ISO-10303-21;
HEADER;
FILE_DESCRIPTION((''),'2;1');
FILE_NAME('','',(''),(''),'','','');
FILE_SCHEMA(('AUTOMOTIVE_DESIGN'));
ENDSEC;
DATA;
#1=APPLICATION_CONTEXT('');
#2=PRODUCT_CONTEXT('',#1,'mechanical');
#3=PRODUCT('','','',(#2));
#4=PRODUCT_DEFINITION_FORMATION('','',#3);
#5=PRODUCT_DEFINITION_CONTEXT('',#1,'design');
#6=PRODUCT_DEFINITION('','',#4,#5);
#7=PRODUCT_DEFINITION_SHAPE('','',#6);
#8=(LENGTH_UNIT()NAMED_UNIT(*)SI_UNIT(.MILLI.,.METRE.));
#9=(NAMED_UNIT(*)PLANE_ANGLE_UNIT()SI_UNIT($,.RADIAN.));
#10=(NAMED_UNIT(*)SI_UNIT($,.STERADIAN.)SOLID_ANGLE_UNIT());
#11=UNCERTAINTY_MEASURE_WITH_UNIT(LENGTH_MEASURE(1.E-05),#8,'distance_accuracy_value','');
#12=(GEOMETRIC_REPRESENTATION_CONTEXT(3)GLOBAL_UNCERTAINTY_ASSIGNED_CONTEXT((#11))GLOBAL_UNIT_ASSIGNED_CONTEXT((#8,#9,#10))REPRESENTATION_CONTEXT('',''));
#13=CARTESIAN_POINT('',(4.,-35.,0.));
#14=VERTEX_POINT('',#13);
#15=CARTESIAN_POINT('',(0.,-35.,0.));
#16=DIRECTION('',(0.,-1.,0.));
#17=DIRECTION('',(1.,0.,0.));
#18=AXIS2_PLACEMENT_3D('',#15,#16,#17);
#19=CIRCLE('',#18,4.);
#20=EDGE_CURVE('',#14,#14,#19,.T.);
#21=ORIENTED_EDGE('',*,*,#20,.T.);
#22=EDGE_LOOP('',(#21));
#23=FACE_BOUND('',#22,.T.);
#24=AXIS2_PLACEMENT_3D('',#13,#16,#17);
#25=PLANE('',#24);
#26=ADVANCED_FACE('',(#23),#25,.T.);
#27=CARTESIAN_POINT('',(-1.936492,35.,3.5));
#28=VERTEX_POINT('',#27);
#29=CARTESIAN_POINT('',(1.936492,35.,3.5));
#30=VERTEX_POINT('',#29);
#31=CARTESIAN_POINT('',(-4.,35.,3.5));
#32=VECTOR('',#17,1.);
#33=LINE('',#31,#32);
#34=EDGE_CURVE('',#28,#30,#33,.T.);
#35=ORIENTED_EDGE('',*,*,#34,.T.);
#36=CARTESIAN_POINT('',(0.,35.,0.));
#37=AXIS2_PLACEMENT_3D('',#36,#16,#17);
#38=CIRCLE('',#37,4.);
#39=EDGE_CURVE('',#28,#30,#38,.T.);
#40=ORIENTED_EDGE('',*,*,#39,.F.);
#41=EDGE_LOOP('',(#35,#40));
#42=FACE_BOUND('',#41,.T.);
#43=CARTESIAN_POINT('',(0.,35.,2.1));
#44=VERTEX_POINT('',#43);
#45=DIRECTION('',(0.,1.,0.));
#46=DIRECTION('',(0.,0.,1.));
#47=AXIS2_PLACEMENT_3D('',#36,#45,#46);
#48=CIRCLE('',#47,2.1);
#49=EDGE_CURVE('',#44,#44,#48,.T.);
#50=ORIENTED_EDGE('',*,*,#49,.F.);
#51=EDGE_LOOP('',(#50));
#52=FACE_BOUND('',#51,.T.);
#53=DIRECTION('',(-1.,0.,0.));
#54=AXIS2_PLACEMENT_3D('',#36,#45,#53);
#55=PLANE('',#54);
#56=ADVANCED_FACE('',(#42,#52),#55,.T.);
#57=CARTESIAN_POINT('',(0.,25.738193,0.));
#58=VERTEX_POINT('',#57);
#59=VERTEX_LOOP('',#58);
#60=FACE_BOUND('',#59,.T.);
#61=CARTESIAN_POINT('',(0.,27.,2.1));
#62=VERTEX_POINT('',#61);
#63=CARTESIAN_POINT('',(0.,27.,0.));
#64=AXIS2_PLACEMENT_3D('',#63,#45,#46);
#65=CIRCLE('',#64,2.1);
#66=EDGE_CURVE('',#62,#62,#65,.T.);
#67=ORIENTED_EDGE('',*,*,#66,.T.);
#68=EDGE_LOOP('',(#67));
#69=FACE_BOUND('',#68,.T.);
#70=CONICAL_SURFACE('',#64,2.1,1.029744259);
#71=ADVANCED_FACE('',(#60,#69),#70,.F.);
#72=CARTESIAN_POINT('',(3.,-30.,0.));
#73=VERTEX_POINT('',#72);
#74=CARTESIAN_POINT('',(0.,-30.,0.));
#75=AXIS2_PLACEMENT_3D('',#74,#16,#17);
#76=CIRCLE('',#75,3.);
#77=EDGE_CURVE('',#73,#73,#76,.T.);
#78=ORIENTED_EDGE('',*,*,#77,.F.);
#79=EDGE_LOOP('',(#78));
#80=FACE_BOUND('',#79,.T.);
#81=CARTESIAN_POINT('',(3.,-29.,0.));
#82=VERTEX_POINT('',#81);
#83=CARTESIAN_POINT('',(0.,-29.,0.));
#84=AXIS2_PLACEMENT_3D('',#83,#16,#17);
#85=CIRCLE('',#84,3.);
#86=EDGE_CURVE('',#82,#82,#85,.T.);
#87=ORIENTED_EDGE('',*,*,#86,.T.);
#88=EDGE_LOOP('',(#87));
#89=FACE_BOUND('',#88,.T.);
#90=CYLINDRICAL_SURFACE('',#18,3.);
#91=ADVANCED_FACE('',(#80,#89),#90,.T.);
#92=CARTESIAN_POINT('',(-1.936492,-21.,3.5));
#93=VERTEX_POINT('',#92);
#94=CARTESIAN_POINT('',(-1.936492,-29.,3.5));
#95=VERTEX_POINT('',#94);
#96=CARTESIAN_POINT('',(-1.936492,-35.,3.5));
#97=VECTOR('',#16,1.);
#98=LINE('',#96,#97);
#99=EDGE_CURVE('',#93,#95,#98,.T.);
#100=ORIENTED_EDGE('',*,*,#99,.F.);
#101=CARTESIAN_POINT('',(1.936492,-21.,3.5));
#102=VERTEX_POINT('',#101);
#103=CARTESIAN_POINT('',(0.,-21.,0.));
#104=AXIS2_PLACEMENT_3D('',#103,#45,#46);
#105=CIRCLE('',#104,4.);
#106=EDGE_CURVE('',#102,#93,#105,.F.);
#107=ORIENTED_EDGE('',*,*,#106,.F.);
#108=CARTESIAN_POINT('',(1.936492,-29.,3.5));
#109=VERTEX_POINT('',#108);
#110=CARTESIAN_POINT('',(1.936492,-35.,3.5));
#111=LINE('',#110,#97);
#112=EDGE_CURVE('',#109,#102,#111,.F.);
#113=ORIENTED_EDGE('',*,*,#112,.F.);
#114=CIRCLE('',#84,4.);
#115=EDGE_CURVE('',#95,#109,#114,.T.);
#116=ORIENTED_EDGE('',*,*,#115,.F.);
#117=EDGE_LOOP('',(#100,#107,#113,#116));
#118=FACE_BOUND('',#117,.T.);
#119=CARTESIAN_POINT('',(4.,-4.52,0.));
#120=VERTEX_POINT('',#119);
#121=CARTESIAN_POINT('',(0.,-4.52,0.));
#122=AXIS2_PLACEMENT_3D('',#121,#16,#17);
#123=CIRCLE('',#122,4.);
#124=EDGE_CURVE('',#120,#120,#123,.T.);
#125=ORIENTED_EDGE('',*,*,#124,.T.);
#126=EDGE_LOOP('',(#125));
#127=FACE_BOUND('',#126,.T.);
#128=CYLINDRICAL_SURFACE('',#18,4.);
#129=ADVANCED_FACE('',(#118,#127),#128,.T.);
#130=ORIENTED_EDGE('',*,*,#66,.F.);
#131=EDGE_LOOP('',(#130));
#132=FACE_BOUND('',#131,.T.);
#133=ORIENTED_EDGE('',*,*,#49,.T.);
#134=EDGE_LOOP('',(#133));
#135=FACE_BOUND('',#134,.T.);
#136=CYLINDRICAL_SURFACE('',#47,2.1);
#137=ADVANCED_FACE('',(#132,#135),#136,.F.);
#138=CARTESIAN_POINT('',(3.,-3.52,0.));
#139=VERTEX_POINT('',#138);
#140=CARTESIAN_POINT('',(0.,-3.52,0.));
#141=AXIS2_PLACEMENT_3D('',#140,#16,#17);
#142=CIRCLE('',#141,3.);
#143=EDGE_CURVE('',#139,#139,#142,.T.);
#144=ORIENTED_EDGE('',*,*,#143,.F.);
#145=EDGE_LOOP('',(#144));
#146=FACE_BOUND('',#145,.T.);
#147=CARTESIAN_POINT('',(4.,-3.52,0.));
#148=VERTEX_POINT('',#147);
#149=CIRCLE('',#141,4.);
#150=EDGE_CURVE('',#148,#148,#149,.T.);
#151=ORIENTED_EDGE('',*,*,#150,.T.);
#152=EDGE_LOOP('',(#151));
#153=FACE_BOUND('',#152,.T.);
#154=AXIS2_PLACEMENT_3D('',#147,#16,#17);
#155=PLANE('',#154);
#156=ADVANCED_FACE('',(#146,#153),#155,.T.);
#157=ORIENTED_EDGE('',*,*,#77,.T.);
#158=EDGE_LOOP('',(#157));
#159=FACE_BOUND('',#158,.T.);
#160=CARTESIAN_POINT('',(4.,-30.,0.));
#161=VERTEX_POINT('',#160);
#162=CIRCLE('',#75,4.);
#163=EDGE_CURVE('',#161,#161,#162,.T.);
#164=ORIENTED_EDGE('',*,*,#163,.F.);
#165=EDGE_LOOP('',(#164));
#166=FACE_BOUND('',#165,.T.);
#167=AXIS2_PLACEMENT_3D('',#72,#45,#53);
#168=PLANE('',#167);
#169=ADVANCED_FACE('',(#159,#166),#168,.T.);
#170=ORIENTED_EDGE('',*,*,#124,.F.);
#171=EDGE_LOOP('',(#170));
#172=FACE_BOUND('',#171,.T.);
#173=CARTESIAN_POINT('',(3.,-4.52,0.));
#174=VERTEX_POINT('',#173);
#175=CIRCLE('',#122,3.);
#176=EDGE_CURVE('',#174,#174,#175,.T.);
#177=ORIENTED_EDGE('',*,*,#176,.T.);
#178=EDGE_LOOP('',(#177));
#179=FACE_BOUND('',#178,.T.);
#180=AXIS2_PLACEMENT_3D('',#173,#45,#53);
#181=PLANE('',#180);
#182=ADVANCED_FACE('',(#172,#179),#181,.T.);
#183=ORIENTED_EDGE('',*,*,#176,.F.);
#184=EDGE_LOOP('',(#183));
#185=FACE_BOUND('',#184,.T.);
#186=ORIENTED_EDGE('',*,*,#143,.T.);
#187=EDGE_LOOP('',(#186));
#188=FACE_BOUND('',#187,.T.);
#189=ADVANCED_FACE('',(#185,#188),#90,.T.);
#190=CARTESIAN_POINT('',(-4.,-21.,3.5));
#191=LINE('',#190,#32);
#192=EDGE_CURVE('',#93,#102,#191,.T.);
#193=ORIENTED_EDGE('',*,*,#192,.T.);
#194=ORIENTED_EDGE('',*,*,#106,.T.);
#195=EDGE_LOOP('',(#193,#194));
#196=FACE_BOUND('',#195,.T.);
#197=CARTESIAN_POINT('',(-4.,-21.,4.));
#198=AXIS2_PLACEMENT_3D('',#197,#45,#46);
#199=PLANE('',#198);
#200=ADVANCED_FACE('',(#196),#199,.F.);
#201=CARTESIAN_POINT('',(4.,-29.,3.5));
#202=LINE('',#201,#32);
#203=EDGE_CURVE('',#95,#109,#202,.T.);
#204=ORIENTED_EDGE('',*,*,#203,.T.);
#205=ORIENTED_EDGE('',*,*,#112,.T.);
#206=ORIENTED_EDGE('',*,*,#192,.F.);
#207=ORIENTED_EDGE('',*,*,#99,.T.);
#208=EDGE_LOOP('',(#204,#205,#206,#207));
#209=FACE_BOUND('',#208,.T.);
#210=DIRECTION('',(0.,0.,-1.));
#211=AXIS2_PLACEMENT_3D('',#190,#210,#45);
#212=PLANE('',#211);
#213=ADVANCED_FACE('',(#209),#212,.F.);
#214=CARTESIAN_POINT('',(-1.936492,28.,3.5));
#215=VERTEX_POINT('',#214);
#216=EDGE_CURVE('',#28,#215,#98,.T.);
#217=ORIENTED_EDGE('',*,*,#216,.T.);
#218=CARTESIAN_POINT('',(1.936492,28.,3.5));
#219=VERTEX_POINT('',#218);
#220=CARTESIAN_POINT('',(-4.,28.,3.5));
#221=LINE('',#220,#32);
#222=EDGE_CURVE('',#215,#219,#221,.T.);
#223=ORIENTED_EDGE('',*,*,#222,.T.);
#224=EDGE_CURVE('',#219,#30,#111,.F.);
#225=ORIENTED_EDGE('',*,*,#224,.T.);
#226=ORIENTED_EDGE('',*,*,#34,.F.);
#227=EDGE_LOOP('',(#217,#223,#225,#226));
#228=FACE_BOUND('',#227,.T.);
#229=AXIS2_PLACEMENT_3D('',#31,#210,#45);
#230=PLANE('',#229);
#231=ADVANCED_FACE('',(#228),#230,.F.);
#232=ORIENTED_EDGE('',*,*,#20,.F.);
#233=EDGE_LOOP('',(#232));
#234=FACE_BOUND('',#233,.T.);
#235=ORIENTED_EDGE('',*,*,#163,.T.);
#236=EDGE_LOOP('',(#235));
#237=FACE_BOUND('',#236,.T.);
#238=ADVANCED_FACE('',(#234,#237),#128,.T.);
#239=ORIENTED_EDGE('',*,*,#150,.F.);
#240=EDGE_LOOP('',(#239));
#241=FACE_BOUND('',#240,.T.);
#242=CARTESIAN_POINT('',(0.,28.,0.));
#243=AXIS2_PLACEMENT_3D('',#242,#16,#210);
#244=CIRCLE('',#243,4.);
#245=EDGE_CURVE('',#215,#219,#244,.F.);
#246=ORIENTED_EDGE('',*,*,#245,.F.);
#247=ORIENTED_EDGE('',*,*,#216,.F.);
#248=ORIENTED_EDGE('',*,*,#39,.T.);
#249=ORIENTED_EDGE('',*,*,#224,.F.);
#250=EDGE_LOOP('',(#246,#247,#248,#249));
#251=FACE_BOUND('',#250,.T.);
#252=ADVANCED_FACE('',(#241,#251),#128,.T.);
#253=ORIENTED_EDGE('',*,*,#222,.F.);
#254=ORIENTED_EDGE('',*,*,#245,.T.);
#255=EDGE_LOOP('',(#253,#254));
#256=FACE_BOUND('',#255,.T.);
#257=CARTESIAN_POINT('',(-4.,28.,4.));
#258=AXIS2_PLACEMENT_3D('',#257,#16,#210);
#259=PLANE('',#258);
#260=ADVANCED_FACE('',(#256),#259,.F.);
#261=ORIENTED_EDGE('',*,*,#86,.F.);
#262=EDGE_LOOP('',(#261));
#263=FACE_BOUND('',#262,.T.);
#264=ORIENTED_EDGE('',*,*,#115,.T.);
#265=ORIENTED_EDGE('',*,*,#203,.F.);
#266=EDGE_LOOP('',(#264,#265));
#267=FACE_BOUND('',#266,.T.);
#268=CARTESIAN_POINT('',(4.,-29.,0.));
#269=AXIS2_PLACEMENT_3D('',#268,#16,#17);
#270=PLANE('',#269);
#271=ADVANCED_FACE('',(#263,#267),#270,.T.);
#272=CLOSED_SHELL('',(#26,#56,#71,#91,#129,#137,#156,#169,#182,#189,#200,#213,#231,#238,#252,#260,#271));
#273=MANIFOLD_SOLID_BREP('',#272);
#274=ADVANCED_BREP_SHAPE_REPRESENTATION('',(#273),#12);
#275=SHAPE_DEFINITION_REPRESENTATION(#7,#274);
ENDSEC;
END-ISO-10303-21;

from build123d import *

# Parameters (mm, degrees)
CORTAR_EXTRUIR1_DEPTH         = 36.454195802
CORTAR_EXTRUIR1_DEPTH_BACK    = 36.454195802
CROQUIS2_W                    = 0.5
CROQUIS2_H                    = 8
CROQUIS2_H_2                  = 7
TALADRO_ROSCADO_M5X0_81_D     = 4.2
TALADRO_ROSCADO_M5X0_81_DEPTH = 8
TALADRO_ROSCADO_M5X0_81_TIP   = 1.2618073


with BuildPart() as part:
    # Croquis1 → Revolución1 (revolve)
    with BuildSketch(Plane.XY):
        Polygon((0, 35), (4, 35), (4, -3.52), (3, -3.52), (3, -4.52), (4, -4.52), (4, -29), (3, -29), (3, -30), (4, -30), (4, -35), (0, -35), align=None)
    revolve(axis=Axis((0, -35, 0), (0, 1, 0)))

    # Croquis2 → Cortar-Extruir1 (cut, two sides: drawn at the far end of the back side and taken through both)
    with BuildSketch(Plane(origin=(0, 0, 0), x_dir=(0, 0, -1), z_dir=(1, 0, 0)).offset(-CORTAR_EXTRUIR1_DEPTH_BACK)):
        with Locations((-3.75, -25)):
            Rectangle(CROQUIS2_W, CROQUIS2_H)
        with Locations((-3.75, 31.5)):
            Rectangle(CROQUIS2_W, CROQUIS2_H_2)
    extrude(amount=CORTAR_EXTRUIR1_DEPTH + CORTAR_EXTRUIR1_DEPTH_BACK, mode=Mode.SUBTRACT)

    # Taladro roscado M5x0.81
    with Locations(Plane(origin=(0, 35, 0), x_dir=(1, 0, 0), z_dir=(0, 1, 0))):
        with Locations((0, 0)):
            Hole(TALADRO_ROSCADO_M5X0_81_D / 2, depth=TALADRO_ROSCADO_M5X0_81_DEPTH)
            with Locations((0, 0, -(TALADRO_ROSCADO_M5X0_81_DEPTH + TALADRO_ROSCADO_M5X0_81_TIP / 2))):  # 118° drill point
                Cone(0, TALADRO_ROSCADO_M5X0_81_D / 2, TALADRO_ROSCADO_M5X0_81_TIP, mode=Mode.SUBTRACT)


solid = part.part
